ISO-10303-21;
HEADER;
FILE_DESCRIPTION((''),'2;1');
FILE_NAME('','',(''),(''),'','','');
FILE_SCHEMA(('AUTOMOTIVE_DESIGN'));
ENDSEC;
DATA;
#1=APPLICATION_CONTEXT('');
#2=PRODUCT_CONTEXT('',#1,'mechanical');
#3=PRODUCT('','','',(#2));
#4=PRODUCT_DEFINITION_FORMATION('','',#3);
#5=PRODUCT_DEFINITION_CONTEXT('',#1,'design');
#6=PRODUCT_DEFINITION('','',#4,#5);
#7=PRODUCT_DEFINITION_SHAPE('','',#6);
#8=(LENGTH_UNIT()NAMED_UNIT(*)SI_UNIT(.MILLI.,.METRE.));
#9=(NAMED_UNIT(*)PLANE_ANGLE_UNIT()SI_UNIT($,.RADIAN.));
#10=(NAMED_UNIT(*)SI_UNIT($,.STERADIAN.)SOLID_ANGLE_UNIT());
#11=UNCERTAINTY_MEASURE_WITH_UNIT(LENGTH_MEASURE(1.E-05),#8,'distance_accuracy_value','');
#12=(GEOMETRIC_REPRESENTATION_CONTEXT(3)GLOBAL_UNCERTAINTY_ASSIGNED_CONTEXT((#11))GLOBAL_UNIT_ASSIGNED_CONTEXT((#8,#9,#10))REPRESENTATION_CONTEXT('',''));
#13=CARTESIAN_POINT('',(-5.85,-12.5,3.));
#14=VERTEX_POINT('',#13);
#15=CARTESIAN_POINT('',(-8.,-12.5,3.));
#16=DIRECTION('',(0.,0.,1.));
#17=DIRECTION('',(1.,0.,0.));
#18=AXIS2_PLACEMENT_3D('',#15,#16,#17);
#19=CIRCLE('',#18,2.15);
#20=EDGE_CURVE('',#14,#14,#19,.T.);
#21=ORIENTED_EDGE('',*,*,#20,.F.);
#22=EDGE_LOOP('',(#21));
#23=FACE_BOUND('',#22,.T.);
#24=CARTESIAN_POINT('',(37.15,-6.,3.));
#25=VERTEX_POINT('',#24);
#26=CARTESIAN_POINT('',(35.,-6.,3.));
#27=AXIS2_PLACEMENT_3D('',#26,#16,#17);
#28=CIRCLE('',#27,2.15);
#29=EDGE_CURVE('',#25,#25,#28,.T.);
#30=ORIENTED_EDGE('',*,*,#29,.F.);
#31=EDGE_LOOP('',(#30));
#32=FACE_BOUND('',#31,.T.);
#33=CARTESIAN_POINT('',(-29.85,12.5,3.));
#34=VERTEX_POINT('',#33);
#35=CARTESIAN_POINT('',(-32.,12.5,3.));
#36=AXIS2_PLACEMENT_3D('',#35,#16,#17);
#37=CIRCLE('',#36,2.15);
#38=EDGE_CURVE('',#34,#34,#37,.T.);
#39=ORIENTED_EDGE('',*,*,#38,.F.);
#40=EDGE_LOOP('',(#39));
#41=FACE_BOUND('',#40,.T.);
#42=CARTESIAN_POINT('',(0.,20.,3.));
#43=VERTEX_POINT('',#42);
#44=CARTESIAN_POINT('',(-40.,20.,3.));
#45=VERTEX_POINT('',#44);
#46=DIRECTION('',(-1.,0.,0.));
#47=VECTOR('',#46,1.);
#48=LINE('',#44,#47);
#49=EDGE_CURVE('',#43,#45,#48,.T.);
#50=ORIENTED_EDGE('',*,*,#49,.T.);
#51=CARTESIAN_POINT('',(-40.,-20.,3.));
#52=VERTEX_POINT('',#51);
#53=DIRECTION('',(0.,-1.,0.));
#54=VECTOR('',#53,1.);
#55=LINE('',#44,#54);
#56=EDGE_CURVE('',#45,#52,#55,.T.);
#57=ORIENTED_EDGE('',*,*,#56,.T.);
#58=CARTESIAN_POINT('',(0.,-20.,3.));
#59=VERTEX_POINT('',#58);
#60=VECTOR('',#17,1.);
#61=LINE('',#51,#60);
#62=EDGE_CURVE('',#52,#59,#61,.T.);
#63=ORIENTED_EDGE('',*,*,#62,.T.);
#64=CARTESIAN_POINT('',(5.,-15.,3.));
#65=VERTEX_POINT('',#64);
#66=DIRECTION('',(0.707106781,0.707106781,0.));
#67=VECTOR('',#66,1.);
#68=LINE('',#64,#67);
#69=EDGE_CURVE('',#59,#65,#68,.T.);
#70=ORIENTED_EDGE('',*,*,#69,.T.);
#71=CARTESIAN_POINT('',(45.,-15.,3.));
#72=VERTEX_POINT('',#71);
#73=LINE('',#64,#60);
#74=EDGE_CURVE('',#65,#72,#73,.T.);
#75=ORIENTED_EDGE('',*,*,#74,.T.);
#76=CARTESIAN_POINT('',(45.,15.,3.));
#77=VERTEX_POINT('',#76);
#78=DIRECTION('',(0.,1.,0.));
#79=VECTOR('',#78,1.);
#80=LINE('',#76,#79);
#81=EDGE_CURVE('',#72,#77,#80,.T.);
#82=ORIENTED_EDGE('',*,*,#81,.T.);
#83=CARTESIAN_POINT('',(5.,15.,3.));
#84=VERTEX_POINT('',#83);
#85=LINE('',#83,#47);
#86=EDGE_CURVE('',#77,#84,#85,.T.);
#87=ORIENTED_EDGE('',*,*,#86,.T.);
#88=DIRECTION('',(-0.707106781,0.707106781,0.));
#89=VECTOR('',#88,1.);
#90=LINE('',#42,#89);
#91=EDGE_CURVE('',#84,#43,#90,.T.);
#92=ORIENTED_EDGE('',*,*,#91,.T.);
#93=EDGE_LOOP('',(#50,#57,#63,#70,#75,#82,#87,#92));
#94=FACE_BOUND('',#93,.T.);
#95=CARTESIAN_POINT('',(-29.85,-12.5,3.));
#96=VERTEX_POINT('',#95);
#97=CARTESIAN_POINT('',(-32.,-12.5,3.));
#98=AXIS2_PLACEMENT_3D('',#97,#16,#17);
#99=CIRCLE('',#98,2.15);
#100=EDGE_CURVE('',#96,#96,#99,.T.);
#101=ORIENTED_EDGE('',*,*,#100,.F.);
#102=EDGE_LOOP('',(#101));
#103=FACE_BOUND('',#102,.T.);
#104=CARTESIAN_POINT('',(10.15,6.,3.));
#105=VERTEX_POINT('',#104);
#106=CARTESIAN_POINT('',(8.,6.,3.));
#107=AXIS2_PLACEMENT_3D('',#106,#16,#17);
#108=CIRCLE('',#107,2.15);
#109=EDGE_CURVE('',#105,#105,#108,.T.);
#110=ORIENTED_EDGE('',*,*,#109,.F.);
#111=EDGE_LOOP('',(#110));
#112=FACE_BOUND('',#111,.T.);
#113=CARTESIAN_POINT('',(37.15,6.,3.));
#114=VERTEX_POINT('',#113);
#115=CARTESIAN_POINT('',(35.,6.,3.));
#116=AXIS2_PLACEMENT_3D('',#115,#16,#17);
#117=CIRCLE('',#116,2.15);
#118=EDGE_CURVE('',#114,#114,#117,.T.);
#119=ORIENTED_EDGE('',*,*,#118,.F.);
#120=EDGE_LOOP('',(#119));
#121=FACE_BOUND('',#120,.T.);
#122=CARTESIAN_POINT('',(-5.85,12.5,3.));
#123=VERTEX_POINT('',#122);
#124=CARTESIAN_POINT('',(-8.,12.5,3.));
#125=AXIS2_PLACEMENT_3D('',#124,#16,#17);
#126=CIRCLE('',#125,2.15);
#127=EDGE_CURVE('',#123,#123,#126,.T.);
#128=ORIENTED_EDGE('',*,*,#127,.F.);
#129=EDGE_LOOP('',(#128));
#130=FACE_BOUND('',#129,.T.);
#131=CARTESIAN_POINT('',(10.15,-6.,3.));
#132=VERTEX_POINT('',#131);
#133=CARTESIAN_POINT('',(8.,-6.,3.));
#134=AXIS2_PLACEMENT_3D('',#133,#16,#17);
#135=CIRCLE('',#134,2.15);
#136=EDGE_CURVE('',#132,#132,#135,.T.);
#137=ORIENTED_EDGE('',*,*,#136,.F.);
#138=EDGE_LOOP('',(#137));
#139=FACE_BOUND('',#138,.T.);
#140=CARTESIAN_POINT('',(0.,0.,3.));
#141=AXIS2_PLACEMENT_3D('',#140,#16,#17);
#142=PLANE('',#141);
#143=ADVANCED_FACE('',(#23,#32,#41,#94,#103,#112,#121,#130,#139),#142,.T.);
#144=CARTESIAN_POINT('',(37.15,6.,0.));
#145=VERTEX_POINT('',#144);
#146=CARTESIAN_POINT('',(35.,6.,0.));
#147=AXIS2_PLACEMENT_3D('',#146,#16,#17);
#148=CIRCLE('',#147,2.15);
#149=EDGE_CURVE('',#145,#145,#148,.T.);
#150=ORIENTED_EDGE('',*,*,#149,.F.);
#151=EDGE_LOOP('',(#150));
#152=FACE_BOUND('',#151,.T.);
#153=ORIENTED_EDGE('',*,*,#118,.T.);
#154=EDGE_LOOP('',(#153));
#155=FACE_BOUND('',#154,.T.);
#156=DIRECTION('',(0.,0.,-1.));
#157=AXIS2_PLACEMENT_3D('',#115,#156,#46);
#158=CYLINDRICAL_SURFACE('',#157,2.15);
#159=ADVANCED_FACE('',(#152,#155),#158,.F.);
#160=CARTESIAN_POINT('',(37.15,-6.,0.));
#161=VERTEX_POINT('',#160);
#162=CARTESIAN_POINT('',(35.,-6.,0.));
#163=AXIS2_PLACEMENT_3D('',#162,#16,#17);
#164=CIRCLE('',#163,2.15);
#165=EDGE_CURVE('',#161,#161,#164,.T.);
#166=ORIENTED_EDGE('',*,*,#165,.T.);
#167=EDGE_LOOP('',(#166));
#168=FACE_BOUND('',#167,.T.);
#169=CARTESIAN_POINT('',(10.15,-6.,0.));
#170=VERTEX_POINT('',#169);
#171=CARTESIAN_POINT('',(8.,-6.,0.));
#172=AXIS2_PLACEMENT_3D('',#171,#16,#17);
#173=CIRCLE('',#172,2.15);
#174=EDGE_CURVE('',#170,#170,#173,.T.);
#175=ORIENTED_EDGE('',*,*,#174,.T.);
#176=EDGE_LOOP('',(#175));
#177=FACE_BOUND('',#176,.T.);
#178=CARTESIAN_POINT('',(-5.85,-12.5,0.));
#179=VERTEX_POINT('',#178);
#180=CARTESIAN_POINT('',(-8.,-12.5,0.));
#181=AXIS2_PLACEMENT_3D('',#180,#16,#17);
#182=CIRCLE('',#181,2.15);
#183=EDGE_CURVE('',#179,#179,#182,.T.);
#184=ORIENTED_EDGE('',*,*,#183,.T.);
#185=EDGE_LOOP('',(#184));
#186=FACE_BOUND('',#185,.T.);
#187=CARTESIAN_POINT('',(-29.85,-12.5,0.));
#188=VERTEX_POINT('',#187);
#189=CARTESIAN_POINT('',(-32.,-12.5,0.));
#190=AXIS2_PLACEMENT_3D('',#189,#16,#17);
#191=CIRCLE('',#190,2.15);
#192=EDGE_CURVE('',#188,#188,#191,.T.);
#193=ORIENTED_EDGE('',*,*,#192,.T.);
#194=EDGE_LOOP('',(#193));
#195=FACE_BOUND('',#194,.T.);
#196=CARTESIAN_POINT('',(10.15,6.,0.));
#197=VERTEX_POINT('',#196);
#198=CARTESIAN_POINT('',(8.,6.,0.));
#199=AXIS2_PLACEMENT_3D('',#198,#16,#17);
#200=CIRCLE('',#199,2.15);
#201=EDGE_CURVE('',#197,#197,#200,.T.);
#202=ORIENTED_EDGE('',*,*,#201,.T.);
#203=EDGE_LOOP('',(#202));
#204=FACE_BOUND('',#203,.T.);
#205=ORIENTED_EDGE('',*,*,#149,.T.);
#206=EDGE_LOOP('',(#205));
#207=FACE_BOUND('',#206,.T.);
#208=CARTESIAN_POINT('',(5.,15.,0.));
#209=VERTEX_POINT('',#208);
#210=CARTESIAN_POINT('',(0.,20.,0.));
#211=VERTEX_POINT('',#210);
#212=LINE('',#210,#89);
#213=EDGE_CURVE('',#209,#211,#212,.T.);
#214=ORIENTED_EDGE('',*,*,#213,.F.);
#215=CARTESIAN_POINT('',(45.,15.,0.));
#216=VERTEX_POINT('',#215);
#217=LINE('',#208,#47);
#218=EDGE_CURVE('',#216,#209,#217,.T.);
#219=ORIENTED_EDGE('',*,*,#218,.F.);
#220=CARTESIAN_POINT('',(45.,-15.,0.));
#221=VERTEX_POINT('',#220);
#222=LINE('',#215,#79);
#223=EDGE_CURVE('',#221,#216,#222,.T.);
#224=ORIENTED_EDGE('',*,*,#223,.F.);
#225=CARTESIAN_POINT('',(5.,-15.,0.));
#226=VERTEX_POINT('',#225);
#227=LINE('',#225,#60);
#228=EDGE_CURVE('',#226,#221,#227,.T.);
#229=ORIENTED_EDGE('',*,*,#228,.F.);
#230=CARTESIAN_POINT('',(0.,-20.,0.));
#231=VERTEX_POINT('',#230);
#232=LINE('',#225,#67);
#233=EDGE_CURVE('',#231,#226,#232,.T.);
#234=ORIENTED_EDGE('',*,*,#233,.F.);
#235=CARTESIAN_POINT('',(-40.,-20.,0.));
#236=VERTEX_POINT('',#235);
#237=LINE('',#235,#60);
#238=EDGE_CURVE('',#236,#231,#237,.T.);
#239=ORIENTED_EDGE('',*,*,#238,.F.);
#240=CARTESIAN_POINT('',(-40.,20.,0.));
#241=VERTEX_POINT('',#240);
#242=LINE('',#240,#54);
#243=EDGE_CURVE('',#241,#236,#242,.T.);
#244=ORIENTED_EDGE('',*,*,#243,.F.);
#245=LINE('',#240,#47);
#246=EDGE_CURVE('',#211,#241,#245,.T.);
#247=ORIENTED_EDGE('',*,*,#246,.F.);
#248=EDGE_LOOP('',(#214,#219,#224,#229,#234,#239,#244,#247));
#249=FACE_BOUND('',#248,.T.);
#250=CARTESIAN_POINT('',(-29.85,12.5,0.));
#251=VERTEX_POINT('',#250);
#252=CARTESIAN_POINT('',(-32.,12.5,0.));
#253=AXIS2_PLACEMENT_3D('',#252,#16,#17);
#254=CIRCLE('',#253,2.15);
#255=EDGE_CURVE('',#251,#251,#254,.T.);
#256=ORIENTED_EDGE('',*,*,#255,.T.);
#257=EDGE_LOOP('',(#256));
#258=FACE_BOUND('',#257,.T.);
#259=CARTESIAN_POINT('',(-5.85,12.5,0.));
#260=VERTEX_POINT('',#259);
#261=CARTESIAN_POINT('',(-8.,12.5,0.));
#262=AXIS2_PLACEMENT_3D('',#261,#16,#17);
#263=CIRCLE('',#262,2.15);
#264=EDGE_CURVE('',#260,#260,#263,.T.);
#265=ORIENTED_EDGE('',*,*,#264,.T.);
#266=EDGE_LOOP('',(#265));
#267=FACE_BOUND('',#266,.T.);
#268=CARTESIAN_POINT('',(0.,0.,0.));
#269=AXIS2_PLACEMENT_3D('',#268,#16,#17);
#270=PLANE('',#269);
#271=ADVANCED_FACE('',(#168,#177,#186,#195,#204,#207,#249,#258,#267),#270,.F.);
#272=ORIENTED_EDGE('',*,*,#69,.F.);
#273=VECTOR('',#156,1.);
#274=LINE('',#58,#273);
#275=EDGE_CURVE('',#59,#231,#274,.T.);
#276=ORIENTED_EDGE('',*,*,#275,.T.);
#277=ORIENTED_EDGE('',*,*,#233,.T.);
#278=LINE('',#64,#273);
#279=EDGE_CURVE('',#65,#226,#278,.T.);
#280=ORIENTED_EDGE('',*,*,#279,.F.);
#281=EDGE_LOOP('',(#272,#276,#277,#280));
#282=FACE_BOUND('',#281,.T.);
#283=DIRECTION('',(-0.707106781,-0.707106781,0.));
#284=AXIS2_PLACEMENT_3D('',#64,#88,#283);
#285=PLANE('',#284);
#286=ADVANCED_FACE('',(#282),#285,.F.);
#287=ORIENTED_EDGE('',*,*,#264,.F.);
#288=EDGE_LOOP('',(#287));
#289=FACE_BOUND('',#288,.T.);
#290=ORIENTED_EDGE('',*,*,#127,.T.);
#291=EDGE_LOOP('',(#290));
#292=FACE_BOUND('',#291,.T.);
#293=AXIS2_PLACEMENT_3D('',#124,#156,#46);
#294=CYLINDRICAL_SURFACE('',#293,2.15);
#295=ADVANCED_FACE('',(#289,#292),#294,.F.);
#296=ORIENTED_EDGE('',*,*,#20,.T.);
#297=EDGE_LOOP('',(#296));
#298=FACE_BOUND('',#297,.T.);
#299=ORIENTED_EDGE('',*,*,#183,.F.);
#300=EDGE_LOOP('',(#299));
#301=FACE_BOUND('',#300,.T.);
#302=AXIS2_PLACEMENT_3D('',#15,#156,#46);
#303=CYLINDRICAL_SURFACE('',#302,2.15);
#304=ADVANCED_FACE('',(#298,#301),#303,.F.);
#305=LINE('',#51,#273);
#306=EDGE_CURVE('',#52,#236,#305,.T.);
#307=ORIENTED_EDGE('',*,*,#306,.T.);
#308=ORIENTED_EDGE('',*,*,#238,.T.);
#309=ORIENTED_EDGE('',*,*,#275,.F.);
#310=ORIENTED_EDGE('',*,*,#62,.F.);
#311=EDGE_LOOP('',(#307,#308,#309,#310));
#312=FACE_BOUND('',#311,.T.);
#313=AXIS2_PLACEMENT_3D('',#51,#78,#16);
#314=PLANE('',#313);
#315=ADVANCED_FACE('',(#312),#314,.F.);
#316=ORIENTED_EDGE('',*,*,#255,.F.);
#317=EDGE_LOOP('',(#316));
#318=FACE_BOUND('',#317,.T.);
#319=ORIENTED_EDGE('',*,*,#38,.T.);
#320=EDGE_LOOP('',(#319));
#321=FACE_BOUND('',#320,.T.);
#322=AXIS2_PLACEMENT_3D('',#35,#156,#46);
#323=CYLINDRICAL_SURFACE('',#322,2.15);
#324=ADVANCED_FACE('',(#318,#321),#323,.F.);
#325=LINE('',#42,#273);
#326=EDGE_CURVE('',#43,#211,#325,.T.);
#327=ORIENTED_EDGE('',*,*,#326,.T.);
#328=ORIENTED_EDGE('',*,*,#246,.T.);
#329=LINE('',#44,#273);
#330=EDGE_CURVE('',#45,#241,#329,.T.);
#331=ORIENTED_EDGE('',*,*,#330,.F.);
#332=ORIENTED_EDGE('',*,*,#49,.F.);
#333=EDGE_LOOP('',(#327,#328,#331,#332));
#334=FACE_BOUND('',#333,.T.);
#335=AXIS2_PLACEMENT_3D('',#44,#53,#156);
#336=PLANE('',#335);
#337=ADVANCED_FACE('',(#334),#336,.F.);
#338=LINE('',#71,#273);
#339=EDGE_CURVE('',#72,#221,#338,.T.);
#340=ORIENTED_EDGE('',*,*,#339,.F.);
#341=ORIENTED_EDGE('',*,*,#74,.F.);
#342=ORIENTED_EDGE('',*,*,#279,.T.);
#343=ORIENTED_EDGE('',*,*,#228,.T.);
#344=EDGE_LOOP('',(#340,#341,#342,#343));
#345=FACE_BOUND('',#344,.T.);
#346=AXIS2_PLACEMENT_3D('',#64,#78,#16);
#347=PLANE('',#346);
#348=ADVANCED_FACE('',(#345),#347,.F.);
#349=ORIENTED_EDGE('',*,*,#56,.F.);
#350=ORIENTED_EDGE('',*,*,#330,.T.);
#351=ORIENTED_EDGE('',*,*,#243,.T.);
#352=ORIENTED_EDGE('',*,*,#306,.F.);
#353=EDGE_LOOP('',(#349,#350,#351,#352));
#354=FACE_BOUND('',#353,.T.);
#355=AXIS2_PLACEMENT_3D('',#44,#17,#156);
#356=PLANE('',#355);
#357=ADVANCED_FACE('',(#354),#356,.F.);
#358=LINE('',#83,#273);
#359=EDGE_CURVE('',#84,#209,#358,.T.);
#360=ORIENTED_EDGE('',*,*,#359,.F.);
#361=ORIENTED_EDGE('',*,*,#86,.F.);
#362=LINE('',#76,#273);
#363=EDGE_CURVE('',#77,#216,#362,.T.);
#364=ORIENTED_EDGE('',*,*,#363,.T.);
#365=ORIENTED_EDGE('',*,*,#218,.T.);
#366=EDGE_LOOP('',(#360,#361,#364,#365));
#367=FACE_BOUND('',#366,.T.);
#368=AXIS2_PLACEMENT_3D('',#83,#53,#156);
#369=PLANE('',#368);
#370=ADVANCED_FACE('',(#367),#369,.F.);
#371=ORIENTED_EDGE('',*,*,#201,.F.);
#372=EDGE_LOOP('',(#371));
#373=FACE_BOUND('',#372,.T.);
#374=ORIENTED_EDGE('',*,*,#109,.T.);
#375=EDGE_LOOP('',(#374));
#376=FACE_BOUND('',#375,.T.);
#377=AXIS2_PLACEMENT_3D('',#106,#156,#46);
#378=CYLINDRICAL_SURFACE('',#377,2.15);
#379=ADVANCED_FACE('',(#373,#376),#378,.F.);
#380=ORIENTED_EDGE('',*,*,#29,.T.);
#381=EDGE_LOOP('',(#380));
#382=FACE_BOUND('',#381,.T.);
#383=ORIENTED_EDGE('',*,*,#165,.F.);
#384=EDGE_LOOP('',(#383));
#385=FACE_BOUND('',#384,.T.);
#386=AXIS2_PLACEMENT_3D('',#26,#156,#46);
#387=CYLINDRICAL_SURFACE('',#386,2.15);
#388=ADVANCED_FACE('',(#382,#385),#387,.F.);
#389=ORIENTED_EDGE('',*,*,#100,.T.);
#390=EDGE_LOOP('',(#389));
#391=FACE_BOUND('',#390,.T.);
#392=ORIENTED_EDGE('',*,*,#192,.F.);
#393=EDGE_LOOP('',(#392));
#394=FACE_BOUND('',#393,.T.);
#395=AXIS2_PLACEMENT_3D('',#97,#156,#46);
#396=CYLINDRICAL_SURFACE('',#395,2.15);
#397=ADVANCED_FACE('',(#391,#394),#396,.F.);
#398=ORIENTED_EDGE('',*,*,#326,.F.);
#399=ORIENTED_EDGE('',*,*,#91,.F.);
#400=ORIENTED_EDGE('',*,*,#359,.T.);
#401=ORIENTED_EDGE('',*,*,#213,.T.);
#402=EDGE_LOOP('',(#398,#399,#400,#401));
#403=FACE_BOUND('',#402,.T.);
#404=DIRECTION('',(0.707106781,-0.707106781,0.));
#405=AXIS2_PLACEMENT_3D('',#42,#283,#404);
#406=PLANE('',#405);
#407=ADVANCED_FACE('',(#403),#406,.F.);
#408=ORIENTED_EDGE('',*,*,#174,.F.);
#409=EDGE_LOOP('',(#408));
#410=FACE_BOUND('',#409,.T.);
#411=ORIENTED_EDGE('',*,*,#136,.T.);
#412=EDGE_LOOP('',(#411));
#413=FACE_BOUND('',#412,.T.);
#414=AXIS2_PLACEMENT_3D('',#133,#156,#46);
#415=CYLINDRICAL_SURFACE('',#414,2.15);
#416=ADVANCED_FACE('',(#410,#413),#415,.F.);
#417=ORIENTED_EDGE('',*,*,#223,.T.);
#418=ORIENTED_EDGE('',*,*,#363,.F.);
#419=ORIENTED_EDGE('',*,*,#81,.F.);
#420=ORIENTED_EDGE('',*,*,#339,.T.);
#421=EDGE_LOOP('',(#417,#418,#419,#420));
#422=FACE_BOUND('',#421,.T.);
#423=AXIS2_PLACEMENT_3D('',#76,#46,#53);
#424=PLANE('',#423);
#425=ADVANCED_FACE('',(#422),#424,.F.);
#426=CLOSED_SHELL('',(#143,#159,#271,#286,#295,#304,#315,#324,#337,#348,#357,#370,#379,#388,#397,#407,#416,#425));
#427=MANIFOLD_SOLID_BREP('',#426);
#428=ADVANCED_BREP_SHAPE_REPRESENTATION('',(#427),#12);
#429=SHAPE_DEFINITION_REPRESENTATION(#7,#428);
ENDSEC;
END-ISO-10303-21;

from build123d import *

# Parameters (mm, degrees)
SKETCH1_R      = 2.15
EXTRUDE1_DEPTH = 3


with BuildPart() as part:
    # Sketch1 → Extrude1 (new body)
    with BuildSketch(Plane.XY):
        Polygon((0, 20), (5, 15), (45, 15), (45, -15), (5, -15), (0, -20), (-40, -20), (-40, 20), align=None)
        with Locations((-32, 12.5)):
            Circle(SKETCH1_R, mode=Mode.SUBTRACT)
        with Locations((-8, 12.5)):
            Circle(SKETCH1_R, mode=Mode.SUBTRACT)
        with Locations((-32, -12.5)):
            Circle(SKETCH1_R, mode=Mode.SUBTRACT)
        with Locations((-8, -12.5)):
            Circle(SKETCH1_R, mode=Mode.SUBTRACT)
        with Locations((8, 6)):
            Circle(SKETCH1_R, mode=Mode.SUBTRACT)
        with Locations((8, -6)):
            Circle(SKETCH1_R, mode=Mode.SUBTRACT)
        with Locations((35, 6)):
            Circle(SKETCH1_R, mode=Mode.SUBTRACT)
        with Locations((35, -6)):
            Circle(SKETCH1_R, mode=Mode.SUBTRACT)
    extrude(amount=EXTRUDE1_DEPTH)


solid = part.part
